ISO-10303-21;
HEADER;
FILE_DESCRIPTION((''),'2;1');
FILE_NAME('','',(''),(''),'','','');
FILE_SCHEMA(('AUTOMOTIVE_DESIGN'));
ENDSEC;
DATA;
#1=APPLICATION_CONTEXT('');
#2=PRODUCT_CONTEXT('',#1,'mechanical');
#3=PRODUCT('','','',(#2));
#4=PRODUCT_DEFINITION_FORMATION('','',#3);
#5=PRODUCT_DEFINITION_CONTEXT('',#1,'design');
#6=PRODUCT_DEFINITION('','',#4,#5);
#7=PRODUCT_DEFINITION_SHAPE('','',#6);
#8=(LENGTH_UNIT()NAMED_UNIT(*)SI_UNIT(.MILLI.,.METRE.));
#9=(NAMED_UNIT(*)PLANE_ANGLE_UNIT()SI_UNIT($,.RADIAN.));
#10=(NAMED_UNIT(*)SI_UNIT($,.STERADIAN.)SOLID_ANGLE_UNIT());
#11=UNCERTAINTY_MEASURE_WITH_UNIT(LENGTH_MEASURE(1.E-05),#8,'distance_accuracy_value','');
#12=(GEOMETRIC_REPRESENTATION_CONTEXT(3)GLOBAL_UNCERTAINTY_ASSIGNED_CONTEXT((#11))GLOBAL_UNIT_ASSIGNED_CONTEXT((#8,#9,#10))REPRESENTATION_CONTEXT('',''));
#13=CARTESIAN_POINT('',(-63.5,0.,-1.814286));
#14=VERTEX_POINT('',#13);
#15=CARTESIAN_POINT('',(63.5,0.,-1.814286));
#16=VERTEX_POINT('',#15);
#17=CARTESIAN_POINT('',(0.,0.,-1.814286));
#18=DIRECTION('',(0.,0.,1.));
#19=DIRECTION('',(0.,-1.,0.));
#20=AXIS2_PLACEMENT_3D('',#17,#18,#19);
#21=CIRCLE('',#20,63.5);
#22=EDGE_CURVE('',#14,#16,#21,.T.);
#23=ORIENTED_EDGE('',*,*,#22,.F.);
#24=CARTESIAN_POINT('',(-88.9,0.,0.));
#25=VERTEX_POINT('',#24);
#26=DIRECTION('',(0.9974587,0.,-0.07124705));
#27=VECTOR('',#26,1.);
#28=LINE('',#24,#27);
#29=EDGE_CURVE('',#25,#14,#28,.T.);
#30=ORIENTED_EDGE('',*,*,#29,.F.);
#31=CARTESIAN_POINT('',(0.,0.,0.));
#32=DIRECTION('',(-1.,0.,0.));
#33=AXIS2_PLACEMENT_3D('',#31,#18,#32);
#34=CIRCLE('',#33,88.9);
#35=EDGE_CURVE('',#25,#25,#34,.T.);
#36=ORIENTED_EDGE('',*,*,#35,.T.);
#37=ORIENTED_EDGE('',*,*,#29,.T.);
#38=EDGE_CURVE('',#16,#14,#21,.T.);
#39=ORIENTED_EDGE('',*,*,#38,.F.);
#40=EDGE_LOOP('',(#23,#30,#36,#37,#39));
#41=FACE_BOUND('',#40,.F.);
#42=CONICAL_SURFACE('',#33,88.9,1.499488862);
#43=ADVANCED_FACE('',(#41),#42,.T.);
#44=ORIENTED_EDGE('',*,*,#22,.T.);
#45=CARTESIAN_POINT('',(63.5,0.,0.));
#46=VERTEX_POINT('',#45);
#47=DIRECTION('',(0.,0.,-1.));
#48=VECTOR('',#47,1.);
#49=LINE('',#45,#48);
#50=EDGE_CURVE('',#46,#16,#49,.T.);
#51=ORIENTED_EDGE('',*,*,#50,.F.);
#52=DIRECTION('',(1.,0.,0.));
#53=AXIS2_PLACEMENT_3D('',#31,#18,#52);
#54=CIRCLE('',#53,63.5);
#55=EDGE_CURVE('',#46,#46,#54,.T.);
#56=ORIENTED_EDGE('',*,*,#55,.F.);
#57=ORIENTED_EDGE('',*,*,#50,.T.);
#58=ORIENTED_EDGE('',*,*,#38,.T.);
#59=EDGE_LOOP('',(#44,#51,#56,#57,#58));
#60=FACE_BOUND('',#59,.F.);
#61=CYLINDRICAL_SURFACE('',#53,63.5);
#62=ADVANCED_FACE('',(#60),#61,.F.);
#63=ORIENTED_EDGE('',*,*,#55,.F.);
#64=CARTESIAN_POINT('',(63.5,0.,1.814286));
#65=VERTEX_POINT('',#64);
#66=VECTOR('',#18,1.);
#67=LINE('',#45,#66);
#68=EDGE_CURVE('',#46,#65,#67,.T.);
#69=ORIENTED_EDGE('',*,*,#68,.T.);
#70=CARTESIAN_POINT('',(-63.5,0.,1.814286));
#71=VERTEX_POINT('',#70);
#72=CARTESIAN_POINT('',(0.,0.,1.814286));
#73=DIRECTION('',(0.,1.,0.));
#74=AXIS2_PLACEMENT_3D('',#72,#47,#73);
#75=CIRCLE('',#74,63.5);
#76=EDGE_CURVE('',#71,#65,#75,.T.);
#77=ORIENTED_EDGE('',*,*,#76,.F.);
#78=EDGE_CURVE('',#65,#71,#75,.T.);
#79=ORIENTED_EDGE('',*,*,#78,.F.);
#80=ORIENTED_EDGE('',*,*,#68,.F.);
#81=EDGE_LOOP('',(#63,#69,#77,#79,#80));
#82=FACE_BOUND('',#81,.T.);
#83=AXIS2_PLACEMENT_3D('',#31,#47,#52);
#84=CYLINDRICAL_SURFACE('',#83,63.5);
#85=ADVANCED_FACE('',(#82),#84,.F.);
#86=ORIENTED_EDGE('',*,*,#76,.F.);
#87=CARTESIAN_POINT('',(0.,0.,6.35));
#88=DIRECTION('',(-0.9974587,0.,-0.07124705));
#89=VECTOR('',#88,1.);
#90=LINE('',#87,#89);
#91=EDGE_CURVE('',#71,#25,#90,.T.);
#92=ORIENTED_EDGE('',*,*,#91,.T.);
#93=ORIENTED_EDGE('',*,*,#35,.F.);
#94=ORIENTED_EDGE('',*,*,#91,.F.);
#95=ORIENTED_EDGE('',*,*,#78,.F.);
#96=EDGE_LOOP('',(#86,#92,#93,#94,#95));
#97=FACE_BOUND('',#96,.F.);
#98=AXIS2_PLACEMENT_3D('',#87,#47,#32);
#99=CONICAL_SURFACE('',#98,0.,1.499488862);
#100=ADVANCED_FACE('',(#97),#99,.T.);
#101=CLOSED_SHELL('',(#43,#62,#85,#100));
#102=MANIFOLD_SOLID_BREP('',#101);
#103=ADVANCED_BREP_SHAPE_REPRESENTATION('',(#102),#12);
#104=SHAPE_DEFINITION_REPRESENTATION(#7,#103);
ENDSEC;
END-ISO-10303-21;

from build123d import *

# Parameters (mm, degrees)
F0_R          = 63.5
F3_DEPTH      = 33.02
F3_DEPTH_BACK = 49.022


with BuildPart() as f2:
    # F1 (on Front) → F2 (revolve)
    with BuildSketch(Plane.XZ):
        Polygon((0, 6.35), (-88.9, 0), (0, -6.35), align=None)
    revolve(axis=Axis((0, 0, 0), (0, 0, 1)))

    # F0 (on Top) → F3 (cut, two sides)
    with BuildSketch(Plane.XY) as f3_sk:
        Circle(F0_R)
    extrude(amount=-F3_DEPTH, mode=Mode.SUBTRACT)
    extrude(f3_sk.sketch, amount=F3_DEPTH_BACK, mode=Mode.SUBTRACT)


solid = f2.part
